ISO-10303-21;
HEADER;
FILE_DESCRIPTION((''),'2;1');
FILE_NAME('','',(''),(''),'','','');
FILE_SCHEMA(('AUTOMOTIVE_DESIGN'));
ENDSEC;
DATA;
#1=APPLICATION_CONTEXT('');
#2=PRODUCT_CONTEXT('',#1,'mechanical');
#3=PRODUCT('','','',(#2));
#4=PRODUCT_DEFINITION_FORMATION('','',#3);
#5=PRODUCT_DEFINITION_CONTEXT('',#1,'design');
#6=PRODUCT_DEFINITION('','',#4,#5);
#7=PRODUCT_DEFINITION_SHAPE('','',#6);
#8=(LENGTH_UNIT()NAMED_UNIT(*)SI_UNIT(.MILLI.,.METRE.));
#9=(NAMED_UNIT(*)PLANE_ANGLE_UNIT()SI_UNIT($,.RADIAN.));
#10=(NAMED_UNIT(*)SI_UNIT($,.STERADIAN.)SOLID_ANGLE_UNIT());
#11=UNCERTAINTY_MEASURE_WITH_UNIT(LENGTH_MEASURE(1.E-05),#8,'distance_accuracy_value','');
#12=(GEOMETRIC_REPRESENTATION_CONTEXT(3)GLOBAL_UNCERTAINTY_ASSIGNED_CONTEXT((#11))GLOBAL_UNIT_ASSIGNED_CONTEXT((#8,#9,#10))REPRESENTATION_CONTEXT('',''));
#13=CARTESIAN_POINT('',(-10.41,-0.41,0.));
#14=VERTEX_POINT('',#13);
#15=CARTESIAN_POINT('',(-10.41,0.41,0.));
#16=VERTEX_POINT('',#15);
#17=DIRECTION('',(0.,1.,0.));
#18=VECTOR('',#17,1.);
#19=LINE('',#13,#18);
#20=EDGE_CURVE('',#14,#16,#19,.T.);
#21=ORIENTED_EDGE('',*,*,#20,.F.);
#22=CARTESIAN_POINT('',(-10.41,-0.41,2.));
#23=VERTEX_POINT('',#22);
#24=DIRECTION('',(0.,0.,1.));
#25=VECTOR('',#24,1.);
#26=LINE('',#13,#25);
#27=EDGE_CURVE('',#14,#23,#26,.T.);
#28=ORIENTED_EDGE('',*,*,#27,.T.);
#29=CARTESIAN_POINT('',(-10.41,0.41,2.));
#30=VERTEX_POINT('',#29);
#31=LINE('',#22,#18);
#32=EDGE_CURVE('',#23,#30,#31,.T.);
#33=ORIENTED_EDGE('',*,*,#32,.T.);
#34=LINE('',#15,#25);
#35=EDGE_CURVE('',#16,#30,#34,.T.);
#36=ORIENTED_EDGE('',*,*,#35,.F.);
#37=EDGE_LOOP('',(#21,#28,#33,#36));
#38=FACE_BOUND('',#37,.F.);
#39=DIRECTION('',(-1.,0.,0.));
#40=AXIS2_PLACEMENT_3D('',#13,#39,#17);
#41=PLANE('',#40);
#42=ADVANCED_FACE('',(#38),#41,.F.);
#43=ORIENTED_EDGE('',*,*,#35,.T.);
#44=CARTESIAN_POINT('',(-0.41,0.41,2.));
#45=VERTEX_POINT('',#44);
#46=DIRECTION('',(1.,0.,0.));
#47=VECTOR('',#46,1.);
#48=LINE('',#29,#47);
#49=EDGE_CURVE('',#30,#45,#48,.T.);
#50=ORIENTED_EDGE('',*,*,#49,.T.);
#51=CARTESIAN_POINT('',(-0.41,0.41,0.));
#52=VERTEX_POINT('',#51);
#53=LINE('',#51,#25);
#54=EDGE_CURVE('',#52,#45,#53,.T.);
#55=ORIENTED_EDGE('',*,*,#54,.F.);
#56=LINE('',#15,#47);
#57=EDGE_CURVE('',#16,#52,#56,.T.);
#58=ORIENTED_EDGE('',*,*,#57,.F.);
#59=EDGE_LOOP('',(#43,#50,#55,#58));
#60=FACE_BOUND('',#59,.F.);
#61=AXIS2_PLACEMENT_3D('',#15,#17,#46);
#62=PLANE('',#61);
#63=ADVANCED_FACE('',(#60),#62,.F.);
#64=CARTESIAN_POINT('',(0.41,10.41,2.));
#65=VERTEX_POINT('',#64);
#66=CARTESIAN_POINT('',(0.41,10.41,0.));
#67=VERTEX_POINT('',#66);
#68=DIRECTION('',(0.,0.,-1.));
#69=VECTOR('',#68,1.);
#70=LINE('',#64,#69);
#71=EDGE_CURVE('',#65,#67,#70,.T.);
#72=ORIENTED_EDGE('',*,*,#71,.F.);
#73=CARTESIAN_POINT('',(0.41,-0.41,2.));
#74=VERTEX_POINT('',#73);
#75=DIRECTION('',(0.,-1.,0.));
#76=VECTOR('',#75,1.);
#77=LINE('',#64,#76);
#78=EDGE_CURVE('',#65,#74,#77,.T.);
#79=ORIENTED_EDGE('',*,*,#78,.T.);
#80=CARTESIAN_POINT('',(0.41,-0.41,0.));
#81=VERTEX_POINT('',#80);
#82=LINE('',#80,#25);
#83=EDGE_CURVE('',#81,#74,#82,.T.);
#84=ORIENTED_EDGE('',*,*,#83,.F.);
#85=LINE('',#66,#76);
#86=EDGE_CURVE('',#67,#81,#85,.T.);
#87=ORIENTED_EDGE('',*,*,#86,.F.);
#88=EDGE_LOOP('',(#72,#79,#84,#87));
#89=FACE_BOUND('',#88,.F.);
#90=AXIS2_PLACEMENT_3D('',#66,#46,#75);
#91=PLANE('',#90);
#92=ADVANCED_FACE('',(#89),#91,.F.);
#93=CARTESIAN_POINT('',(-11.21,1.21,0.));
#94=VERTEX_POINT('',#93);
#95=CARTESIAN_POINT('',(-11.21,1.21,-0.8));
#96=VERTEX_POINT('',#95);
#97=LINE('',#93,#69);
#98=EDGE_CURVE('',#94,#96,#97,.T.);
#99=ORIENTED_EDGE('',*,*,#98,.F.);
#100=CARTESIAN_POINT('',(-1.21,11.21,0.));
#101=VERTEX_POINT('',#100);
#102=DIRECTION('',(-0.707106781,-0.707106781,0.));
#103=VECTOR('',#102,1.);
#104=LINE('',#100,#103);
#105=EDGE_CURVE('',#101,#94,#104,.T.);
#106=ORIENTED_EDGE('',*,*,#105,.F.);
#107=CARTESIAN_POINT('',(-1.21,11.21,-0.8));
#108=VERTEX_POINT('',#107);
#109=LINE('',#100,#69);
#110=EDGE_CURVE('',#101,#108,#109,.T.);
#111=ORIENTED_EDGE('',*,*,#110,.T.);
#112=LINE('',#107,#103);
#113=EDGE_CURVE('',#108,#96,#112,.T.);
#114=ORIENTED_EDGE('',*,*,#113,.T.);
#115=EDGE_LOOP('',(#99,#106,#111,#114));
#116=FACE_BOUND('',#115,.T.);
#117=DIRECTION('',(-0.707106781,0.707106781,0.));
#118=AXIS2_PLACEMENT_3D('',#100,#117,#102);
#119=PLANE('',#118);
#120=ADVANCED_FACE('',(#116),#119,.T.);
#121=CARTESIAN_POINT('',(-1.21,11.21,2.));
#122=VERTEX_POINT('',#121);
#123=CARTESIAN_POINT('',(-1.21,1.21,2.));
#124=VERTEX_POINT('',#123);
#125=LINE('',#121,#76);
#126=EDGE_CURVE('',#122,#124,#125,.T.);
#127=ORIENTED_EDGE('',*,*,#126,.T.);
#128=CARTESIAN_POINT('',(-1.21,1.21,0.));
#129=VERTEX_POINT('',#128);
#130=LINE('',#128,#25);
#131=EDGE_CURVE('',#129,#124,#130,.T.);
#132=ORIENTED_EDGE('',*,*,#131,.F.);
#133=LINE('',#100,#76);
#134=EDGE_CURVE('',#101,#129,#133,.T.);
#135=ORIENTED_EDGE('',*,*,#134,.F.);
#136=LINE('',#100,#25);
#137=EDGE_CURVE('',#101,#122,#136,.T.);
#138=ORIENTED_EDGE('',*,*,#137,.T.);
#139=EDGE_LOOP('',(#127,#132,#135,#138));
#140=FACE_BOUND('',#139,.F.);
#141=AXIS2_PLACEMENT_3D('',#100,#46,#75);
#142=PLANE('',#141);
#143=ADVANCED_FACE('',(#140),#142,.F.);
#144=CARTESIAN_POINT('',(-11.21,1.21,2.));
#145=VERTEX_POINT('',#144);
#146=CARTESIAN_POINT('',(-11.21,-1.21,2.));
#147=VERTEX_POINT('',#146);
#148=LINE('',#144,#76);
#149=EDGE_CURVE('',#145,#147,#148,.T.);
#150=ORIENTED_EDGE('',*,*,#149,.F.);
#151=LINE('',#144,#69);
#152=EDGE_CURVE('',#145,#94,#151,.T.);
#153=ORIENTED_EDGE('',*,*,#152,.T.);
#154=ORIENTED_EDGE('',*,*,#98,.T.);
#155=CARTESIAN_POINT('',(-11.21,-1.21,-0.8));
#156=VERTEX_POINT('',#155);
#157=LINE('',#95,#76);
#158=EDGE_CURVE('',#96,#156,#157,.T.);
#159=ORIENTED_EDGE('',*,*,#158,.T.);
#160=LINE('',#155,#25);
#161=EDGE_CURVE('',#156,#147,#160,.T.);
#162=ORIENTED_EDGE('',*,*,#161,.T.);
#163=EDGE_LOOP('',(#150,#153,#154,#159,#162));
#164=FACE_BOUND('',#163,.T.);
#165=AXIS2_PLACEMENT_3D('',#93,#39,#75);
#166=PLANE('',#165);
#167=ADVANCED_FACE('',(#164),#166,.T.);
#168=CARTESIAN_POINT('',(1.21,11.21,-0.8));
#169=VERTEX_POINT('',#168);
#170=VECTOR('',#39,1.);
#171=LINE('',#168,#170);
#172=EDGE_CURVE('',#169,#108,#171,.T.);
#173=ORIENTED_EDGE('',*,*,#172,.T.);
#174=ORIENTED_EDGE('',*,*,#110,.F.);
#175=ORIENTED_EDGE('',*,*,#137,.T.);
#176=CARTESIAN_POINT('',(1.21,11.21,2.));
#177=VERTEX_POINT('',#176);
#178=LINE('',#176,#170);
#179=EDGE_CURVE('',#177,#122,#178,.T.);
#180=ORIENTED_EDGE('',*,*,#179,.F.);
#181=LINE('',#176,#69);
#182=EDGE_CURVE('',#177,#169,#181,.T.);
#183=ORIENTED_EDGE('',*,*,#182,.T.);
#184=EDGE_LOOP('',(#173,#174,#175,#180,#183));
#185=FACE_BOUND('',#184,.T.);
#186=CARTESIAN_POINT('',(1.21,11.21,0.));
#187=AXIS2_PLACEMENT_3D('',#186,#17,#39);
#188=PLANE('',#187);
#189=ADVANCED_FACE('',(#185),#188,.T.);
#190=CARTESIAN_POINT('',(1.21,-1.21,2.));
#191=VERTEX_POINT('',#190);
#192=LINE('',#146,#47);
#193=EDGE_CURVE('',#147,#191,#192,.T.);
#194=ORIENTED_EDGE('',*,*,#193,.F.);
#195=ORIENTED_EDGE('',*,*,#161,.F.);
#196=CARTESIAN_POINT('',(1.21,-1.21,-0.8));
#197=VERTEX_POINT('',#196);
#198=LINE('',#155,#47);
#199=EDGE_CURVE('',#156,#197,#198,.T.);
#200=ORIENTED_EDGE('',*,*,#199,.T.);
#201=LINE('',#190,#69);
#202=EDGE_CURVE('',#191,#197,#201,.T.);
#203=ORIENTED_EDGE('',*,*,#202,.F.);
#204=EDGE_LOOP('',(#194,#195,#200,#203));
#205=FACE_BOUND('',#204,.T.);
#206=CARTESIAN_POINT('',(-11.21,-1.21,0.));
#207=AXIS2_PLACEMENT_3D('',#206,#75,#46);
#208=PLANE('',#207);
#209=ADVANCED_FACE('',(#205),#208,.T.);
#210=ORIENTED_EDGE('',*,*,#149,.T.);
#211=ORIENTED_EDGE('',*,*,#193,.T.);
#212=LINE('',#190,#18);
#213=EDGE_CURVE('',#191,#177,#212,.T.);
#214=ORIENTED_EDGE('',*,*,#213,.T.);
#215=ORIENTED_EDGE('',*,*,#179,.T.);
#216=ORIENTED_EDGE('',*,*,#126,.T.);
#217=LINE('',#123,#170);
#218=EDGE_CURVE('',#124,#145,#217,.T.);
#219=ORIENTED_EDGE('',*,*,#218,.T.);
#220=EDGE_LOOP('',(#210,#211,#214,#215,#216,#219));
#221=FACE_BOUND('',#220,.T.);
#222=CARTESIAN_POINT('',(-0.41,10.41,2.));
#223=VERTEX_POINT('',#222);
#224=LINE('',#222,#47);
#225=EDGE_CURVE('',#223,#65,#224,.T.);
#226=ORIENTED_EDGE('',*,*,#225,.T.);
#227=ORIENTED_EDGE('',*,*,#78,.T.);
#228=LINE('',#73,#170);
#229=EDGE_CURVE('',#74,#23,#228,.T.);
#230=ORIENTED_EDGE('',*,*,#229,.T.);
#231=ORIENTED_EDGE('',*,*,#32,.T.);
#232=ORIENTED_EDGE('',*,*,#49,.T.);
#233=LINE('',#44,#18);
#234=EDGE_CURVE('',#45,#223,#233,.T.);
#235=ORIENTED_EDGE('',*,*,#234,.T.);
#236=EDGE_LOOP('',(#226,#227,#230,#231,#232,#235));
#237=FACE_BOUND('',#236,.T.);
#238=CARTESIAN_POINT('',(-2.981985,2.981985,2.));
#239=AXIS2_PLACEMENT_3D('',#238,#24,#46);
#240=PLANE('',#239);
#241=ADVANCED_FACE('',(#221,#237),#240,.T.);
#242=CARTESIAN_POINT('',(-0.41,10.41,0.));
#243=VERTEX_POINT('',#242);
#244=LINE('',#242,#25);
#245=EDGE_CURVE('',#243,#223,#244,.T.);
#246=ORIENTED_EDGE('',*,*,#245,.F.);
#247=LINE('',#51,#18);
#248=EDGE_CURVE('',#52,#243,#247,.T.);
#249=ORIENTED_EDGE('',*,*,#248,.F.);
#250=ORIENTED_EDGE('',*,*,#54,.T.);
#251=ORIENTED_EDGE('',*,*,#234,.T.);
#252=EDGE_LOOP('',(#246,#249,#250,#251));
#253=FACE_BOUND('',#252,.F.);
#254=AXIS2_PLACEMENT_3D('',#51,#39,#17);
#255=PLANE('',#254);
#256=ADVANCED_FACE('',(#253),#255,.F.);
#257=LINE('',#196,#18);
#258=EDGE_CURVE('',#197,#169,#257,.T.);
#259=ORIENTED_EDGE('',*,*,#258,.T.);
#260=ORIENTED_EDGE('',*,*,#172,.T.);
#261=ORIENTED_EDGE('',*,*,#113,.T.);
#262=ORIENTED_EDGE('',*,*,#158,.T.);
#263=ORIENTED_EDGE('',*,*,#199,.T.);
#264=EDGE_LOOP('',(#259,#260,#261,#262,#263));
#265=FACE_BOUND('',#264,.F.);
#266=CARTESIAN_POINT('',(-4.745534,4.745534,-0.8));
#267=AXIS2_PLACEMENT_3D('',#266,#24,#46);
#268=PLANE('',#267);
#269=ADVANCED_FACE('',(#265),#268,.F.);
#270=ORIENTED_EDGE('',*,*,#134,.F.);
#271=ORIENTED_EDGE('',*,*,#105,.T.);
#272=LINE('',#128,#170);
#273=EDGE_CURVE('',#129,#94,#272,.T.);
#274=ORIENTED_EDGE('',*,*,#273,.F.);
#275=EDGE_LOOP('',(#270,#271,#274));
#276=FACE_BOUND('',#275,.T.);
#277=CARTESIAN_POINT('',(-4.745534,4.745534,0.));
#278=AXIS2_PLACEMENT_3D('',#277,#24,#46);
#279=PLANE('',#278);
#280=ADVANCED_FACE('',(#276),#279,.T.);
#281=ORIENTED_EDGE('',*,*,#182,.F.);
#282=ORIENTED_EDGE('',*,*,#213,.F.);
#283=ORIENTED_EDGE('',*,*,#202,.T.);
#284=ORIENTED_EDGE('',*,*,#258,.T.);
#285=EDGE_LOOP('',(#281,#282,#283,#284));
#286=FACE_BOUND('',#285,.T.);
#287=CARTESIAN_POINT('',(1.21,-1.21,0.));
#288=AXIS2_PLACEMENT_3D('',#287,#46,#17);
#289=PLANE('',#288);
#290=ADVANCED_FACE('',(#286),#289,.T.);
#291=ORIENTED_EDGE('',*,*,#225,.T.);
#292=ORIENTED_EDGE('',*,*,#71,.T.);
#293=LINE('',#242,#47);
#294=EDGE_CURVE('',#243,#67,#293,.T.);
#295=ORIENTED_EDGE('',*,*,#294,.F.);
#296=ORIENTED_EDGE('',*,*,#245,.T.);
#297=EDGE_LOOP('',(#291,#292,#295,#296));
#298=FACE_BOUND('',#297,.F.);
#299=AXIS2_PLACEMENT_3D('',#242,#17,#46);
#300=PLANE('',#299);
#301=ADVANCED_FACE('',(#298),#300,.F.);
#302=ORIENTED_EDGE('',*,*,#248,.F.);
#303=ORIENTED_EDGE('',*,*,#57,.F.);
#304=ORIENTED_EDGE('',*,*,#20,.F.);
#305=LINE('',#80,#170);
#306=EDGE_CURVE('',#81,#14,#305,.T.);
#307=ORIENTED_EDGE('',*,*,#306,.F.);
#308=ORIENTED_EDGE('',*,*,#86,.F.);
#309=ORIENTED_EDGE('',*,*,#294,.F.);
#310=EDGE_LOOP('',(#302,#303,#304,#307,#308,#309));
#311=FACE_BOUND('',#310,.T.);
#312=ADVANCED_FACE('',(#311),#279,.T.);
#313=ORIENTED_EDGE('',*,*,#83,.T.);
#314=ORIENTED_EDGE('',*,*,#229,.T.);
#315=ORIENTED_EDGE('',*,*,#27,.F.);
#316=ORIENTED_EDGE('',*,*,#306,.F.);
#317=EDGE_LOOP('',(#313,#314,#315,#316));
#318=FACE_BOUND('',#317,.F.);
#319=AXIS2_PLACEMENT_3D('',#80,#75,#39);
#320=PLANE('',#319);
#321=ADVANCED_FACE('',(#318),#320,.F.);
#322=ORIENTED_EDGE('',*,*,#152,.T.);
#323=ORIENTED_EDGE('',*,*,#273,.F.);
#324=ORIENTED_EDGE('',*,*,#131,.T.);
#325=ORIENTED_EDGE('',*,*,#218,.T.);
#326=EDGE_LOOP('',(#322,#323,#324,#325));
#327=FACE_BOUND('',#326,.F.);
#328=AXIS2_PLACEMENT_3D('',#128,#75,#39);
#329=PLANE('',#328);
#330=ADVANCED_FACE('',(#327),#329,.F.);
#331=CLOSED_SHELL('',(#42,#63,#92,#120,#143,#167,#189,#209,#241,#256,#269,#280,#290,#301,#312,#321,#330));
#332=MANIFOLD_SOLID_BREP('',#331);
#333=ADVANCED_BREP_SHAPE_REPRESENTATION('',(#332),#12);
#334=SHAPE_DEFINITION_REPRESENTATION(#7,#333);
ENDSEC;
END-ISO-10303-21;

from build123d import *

# Parameters (mm, degrees)
F0_W     = 0.82
F0_H     = 0.8
F0_W_2   = 0.8
F0_H_2   = 0.82
F1_DEPTH = 2
F2_DEPTH = 0.8


with BuildPart() as f1:
    # F0 (on Top) → F1 (new body)
    with BuildSketch(Plane.XY):
        Polygon((-10.41, 0.41), (-0.41, 0.41), (-0.41, 10.41), (0.41, 10.41), (0.41, 0.41), (1.21, 0.41), (1.21, 1.21), (1.21, 11.21), (-1.21, 11.21), (-1.21, 1.21), (-11.21, 1.21), (-11.21, -1.21), (-1.21, -1.21), (-0.41, -1.21), (-0.41, -0.41), (-10.41, -0.41), align=None)
        with Locations((0, -0.81)):
            Rectangle(F0_W, F0_H)
        with Locations((0.81, 0)):
            Rectangle(F0_W_2, F0_H_2)
        with Locations((0.81, -0.81)):
            Rectangle(F0_W_2, F0_H)
    extrude(amount=F1_DEPTH)

    # F0 (on Top) + F1_face (on face) → F2 (join)
    with BuildSketch(Plane.XY):
        Polygon((-1.21, 1.21), (-1.21, 11.21), (-11.21, 1.21), align=None)
        Polygon((-10.41, 0.41), (-0.41, 0.41), (-0.41, 10.41), (0.41, 10.41), (0.41, 0.41), (1.21, 0.41), (1.21, 1.21), (1.21, 11.21), (-1.21, 11.21), (-1.21, 1.21), (-11.21, 1.21), (-11.21, -1.21), (-1.21, -1.21), (-0.41, -1.21), (-0.41, -0.41), (-10.41, -0.41), align=None)
        Polygon((-0.41, 10.41), (-0.41, 0.41), (-10.41, 0.41), (-10.41, -0.41), (-0.41, -0.41), (0.41, -0.41), (0.41, 0.41), (0.41, 10.41), align=None)
        with Locations((0, -0.81)):
            Rectangle(F0_W, F0_H)
        with Locations((0.81, 0)):
            Rectangle(F0_W_2, F0_H_2)
        with Locations((0.81, -0.81)):
            Rectangle(F0_W_2, F0_H)
    with BuildSketch(Plane(origin=(-2.8485370052, 2.8485370052, 2), x_dir=(1, 0, 0), z_dir=(0, 0, 1))):
        Polygon((-8.3614629948, -4.0585370052), (4.0585370052, -4.0585370052), (4.0585370052, 8.3614629948), (1.6385370052, 8.3614629948), (1.6385370052, -1.6385370052), (-8.3614629948, -1.6385370052), align=None)
        Polygon((3.2585370052, 7.5614629948), (3.2585370052, -3.2585370052), (-7.5614629948, -3.2585370052), (-7.5614629948, -2.4385370052), (2.4385370052, -2.4385370052), (2.4385370052, 7.5614629948), align=None, mode=Mode.SUBTRACT)
    extrude(amount=-F2_DEPTH)


solid = f1.part
